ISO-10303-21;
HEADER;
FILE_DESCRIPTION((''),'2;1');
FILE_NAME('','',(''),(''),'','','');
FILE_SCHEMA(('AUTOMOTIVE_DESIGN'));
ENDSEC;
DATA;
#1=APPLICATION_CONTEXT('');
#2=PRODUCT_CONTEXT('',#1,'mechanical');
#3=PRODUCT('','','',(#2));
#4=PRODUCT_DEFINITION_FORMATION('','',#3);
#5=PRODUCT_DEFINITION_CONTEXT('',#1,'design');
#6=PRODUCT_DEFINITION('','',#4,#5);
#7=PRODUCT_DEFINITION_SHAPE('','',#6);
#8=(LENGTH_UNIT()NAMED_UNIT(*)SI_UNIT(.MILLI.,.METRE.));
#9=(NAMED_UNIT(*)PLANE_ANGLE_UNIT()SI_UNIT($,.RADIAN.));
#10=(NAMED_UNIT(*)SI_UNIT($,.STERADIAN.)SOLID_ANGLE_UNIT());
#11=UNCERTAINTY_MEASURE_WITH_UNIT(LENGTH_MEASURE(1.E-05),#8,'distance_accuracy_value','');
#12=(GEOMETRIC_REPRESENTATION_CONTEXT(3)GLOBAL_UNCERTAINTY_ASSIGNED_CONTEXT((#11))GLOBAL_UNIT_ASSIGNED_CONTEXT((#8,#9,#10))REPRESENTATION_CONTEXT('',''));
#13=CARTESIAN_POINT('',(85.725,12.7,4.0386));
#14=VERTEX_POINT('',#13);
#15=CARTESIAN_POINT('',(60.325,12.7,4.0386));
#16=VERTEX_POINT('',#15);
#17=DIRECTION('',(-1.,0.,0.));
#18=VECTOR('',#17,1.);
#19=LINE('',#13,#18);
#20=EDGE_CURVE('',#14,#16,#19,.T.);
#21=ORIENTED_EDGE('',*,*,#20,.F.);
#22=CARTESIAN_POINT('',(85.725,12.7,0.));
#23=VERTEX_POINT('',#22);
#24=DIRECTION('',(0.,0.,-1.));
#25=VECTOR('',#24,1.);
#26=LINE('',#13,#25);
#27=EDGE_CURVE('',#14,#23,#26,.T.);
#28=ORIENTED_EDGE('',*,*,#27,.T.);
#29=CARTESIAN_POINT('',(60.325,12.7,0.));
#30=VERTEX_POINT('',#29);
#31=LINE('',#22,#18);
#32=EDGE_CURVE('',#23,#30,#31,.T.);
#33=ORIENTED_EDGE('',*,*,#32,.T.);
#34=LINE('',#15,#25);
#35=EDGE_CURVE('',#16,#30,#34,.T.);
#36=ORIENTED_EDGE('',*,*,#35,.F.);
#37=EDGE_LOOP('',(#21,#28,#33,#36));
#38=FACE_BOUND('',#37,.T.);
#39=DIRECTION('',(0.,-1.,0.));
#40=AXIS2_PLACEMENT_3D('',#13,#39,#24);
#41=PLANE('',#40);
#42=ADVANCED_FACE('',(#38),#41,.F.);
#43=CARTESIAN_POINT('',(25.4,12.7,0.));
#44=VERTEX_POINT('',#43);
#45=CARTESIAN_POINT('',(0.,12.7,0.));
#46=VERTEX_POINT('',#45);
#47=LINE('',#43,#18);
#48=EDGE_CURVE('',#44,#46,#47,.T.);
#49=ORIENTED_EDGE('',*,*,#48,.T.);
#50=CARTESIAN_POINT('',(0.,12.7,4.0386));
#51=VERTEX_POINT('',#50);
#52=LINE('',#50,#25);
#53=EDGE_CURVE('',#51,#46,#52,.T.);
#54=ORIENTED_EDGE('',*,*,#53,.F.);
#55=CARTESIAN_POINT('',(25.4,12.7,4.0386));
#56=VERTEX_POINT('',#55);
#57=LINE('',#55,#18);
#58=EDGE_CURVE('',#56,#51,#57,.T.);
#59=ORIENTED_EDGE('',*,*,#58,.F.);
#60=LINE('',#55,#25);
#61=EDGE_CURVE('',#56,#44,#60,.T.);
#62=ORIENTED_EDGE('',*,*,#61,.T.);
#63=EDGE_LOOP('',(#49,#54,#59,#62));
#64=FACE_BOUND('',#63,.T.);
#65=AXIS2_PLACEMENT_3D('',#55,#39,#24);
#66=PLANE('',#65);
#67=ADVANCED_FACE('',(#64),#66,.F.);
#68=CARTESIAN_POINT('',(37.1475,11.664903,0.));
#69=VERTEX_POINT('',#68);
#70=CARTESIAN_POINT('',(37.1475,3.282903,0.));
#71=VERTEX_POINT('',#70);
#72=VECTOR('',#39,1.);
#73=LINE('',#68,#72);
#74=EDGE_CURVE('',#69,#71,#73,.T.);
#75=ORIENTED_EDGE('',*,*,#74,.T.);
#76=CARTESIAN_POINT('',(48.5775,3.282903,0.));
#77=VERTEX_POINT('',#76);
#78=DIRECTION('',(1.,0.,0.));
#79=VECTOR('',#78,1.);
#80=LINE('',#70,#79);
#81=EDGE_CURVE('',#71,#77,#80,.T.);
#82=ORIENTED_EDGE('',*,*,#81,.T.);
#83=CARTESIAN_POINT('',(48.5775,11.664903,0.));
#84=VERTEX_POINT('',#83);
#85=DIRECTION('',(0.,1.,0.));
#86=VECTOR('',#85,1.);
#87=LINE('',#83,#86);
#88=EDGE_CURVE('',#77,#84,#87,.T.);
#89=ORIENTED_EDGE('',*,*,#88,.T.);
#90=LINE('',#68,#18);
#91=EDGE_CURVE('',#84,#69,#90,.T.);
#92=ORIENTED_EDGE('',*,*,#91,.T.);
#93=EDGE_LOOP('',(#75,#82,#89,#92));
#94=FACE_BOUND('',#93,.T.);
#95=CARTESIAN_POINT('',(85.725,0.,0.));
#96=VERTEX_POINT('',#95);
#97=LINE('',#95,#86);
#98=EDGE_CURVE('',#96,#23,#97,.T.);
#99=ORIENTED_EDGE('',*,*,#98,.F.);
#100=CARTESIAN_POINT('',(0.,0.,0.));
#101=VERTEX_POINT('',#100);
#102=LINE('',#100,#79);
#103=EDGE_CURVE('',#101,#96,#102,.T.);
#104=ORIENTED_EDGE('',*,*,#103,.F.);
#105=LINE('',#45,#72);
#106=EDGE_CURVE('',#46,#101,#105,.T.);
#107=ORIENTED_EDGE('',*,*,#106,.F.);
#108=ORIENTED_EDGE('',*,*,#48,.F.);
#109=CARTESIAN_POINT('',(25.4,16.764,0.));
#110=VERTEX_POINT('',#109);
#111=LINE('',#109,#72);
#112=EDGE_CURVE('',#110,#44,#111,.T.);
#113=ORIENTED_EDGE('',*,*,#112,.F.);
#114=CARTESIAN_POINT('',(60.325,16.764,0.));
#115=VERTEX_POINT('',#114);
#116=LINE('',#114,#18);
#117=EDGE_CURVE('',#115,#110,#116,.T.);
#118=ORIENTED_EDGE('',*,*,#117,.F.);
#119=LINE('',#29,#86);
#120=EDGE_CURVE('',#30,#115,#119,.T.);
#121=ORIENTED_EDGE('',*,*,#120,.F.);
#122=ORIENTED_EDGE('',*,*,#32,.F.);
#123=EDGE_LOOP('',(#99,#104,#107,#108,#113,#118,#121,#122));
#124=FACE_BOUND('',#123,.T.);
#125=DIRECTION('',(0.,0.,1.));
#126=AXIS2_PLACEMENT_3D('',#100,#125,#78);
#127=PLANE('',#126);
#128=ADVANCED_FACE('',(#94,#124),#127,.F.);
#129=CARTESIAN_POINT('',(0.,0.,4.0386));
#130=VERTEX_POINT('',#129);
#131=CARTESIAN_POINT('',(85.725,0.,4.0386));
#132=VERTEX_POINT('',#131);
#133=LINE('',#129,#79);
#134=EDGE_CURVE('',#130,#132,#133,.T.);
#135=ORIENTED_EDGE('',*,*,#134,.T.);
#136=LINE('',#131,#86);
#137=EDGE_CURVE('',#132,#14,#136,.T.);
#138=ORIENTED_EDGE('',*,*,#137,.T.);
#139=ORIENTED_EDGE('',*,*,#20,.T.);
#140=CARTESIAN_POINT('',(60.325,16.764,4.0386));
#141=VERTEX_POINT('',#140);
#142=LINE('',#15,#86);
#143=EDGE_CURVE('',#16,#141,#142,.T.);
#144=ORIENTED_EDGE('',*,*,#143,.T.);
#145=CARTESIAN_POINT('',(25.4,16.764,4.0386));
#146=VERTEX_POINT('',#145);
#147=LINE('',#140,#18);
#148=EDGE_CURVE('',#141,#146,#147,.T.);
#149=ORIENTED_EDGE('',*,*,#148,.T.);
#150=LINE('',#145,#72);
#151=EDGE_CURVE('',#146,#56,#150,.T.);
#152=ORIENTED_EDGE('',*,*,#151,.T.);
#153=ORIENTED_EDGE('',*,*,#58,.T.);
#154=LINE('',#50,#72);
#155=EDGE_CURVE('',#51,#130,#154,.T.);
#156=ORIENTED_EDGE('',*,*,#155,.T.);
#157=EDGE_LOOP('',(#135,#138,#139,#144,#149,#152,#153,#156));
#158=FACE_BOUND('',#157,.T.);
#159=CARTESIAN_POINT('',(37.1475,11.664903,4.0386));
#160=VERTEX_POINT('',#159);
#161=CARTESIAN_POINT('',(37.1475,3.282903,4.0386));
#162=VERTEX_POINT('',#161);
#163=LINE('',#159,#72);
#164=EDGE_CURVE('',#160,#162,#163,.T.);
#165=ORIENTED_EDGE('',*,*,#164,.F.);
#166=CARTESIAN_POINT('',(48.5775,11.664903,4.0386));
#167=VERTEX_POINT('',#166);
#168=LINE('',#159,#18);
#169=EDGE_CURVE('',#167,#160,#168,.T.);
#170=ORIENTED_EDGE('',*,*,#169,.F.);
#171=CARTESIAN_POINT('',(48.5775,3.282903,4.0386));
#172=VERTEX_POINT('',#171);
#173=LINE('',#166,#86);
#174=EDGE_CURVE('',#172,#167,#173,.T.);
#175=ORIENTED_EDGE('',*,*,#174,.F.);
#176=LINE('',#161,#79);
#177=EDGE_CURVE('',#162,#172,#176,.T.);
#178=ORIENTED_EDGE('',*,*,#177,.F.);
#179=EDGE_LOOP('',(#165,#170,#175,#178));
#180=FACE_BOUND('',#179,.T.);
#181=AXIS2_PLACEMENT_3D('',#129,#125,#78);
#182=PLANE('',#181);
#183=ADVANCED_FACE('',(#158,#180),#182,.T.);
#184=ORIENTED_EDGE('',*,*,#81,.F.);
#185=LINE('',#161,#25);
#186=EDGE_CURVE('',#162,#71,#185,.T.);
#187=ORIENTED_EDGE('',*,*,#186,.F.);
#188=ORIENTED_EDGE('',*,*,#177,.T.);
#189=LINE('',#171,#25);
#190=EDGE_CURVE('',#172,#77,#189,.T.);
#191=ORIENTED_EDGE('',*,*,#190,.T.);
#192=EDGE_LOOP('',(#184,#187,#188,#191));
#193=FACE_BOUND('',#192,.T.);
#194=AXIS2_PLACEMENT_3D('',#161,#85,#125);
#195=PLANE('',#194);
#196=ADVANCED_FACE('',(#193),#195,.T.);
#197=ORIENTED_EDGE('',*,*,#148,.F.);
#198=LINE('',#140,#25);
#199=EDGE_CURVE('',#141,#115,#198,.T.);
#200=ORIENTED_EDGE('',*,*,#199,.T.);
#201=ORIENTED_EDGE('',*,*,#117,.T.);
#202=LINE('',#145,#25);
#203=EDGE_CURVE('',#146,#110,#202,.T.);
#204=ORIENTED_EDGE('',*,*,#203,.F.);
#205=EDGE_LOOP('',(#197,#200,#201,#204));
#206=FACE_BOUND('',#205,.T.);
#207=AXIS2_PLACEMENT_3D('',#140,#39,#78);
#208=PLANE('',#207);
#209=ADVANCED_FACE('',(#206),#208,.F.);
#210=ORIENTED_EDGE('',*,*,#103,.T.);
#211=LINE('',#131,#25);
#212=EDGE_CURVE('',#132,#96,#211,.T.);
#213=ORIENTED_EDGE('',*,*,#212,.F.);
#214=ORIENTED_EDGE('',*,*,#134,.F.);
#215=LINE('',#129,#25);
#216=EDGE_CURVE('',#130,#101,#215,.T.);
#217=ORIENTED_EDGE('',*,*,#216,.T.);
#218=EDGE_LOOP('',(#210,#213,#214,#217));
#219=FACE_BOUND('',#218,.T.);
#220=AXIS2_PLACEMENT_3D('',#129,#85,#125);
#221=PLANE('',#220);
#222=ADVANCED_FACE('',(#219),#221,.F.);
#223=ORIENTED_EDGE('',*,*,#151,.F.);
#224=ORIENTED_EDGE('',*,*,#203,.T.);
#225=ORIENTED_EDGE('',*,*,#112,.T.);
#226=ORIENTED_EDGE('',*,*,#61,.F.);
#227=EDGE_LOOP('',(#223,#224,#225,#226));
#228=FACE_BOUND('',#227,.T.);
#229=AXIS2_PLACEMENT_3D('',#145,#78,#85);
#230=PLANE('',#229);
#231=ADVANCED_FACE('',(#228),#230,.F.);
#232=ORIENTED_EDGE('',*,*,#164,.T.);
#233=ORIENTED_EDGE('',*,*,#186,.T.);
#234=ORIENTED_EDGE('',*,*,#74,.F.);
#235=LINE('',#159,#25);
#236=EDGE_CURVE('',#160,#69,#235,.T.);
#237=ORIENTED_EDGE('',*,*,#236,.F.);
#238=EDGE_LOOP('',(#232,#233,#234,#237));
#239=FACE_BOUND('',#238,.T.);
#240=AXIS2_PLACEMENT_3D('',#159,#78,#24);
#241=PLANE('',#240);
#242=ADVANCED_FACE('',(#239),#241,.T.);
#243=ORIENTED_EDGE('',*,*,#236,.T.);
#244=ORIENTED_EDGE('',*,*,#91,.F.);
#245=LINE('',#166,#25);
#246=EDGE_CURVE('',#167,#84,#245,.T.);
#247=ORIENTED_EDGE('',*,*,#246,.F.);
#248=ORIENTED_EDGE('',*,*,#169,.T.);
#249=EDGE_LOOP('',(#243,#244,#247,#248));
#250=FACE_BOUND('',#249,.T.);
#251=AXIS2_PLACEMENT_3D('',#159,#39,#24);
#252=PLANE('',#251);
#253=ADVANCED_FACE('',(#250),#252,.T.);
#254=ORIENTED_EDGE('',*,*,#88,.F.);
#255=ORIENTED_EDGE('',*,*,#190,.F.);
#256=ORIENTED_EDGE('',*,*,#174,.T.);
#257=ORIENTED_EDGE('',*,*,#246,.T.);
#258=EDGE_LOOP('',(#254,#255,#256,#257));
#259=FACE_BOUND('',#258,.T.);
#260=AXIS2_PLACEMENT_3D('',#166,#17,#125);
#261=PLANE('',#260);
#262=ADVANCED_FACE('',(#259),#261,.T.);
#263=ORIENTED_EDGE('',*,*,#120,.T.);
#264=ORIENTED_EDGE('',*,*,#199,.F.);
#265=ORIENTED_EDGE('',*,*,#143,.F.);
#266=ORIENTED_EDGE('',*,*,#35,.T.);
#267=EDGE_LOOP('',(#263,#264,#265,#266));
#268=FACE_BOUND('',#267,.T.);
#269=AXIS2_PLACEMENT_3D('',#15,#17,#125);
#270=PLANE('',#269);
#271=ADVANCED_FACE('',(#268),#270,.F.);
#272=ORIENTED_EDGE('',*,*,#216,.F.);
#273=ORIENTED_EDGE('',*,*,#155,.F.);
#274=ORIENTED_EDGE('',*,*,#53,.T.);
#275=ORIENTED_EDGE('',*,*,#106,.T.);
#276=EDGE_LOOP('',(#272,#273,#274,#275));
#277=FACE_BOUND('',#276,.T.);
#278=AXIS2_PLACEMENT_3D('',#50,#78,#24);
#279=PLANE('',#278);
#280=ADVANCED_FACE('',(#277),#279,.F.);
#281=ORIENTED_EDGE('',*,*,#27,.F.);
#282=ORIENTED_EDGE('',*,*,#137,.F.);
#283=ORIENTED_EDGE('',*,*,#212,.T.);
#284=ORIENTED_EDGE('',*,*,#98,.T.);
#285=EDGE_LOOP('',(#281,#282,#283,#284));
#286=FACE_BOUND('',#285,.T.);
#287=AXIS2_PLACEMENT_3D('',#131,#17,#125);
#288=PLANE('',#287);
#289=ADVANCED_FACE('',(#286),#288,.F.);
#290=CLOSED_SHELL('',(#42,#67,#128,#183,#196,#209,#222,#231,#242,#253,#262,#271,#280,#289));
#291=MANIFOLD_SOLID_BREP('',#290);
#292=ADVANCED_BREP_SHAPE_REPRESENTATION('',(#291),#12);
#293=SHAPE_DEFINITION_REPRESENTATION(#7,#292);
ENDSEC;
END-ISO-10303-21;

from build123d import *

# Parameters (mm, degrees)
SKETCH1_W           = 11.43
SKETCH1_H           = 8.382
BOSS_EXTRUDE1_DEPTH = 4.0386


with BuildPart() as part:
    # Sketch1 → Boss-Extrude1 (new body)
    with BuildSketch(Plane.XY):
        Polygon((0, 0), (85.725, 0), (85.725, 12.7), (60.325, 12.7), (60.325, 16.764), (25.4, 16.764), (25.4, 12.7), (0, 12.7), align=None)
        with Locations((42.8625, 7.473902875)):
            Rectangle(SKETCH1_W, SKETCH1_H, mode=Mode.SUBTRACT)
    extrude(amount=BOSS_EXTRUDE1_DEPTH)


solid = part.part
